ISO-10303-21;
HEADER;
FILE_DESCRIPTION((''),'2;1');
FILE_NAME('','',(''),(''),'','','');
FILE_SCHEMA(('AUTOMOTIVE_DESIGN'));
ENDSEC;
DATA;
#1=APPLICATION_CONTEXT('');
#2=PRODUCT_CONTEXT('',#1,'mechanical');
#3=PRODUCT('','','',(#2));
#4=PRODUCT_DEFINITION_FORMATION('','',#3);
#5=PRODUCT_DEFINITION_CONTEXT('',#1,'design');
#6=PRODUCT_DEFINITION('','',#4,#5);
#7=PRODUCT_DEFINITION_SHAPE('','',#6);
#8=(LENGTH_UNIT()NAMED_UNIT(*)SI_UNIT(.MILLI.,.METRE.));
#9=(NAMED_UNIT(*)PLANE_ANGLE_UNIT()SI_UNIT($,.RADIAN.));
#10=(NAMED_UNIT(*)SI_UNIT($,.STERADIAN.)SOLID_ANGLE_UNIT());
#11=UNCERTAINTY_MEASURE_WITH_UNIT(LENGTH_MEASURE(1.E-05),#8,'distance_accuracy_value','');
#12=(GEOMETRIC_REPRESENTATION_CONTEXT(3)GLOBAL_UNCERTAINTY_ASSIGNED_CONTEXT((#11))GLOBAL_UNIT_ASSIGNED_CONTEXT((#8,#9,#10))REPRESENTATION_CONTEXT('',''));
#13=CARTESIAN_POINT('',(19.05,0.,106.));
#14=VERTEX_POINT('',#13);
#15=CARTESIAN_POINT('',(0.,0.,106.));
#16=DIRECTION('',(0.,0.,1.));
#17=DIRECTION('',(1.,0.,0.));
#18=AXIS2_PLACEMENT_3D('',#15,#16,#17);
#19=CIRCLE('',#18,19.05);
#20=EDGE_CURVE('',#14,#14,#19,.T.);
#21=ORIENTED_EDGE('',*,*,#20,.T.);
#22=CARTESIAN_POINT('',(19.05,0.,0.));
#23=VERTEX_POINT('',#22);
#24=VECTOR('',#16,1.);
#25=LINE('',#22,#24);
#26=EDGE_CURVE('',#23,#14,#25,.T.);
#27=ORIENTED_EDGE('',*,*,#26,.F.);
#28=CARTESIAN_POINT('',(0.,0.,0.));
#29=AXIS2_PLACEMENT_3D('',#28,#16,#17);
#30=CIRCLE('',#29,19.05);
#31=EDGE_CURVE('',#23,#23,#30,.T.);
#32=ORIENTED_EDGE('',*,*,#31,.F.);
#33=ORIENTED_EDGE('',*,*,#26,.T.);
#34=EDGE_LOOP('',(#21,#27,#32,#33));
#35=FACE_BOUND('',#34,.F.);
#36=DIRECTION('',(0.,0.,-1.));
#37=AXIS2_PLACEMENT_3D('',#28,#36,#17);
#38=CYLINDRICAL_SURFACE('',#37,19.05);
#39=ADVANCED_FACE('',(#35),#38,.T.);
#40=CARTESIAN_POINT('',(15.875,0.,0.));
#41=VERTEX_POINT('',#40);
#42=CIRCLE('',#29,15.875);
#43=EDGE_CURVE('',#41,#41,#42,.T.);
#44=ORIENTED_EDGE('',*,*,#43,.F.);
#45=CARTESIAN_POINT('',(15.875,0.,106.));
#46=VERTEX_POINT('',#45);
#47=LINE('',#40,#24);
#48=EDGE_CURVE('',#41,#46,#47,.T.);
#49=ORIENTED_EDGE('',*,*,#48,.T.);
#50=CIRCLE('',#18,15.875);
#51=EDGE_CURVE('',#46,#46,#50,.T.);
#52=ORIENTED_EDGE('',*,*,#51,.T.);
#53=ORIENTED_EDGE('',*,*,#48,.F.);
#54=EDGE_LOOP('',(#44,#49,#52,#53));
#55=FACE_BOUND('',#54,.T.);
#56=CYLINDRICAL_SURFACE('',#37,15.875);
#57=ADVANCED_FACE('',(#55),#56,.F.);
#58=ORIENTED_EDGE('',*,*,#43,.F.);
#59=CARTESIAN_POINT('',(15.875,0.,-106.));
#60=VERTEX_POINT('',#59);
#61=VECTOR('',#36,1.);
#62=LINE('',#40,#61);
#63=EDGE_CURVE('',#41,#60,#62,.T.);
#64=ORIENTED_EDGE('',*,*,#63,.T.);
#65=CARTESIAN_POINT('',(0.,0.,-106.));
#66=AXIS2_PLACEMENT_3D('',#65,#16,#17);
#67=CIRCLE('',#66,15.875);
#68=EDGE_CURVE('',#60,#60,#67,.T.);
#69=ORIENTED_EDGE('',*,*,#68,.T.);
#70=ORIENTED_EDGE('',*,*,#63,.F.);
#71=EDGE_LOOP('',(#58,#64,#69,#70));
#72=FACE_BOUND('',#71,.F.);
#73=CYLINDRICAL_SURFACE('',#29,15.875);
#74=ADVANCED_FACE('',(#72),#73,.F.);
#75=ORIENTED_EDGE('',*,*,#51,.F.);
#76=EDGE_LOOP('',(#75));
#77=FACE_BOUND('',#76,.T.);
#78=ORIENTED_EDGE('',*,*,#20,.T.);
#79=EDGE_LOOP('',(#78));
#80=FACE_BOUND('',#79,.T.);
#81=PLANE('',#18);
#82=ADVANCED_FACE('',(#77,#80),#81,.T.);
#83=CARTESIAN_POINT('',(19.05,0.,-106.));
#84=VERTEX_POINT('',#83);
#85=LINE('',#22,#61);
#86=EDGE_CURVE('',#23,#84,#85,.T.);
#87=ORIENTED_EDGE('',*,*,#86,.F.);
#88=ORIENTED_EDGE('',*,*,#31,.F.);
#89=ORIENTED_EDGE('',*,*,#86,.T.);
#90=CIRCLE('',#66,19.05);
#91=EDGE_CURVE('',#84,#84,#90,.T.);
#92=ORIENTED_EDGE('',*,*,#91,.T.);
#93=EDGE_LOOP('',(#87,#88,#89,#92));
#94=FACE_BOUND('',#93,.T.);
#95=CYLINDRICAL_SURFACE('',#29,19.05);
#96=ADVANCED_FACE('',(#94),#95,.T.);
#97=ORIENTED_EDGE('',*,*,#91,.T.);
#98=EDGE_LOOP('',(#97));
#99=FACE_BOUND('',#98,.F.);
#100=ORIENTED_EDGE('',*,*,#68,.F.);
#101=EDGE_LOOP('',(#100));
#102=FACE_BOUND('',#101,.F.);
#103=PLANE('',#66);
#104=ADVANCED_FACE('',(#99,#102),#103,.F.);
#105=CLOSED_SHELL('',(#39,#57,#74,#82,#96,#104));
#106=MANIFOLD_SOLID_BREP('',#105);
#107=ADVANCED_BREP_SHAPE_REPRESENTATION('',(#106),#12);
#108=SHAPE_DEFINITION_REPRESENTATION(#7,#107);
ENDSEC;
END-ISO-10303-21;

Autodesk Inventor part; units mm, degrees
ref_plane "YZ Plane" through (0, 0, 0) normal (1, 0, 0) x (0, 1, 0)
ref_plane "XZ Plane" through (0, 0, 0) normal (0, 1, 0) x (-1, 0, 0)
ref_plane "XY Plane" through (0, 0, 0) normal (0, 0, 1) x (1, 0, 0)
sketch "Sketch1" plane through (0, 0, 0) normal (0, 0, 1) x (1, 0, 0)
  circle A0 centre (0, 0) radius 19.05
  circle A1 centre (0, 0) radius 15.875
  dimension "d0" = 38.1
  dimension "d1" = 3.175
extrude "Extrusion1" add sketch "Sketch1" along normal mid plane 212
properties part number "barra espaciadora"
